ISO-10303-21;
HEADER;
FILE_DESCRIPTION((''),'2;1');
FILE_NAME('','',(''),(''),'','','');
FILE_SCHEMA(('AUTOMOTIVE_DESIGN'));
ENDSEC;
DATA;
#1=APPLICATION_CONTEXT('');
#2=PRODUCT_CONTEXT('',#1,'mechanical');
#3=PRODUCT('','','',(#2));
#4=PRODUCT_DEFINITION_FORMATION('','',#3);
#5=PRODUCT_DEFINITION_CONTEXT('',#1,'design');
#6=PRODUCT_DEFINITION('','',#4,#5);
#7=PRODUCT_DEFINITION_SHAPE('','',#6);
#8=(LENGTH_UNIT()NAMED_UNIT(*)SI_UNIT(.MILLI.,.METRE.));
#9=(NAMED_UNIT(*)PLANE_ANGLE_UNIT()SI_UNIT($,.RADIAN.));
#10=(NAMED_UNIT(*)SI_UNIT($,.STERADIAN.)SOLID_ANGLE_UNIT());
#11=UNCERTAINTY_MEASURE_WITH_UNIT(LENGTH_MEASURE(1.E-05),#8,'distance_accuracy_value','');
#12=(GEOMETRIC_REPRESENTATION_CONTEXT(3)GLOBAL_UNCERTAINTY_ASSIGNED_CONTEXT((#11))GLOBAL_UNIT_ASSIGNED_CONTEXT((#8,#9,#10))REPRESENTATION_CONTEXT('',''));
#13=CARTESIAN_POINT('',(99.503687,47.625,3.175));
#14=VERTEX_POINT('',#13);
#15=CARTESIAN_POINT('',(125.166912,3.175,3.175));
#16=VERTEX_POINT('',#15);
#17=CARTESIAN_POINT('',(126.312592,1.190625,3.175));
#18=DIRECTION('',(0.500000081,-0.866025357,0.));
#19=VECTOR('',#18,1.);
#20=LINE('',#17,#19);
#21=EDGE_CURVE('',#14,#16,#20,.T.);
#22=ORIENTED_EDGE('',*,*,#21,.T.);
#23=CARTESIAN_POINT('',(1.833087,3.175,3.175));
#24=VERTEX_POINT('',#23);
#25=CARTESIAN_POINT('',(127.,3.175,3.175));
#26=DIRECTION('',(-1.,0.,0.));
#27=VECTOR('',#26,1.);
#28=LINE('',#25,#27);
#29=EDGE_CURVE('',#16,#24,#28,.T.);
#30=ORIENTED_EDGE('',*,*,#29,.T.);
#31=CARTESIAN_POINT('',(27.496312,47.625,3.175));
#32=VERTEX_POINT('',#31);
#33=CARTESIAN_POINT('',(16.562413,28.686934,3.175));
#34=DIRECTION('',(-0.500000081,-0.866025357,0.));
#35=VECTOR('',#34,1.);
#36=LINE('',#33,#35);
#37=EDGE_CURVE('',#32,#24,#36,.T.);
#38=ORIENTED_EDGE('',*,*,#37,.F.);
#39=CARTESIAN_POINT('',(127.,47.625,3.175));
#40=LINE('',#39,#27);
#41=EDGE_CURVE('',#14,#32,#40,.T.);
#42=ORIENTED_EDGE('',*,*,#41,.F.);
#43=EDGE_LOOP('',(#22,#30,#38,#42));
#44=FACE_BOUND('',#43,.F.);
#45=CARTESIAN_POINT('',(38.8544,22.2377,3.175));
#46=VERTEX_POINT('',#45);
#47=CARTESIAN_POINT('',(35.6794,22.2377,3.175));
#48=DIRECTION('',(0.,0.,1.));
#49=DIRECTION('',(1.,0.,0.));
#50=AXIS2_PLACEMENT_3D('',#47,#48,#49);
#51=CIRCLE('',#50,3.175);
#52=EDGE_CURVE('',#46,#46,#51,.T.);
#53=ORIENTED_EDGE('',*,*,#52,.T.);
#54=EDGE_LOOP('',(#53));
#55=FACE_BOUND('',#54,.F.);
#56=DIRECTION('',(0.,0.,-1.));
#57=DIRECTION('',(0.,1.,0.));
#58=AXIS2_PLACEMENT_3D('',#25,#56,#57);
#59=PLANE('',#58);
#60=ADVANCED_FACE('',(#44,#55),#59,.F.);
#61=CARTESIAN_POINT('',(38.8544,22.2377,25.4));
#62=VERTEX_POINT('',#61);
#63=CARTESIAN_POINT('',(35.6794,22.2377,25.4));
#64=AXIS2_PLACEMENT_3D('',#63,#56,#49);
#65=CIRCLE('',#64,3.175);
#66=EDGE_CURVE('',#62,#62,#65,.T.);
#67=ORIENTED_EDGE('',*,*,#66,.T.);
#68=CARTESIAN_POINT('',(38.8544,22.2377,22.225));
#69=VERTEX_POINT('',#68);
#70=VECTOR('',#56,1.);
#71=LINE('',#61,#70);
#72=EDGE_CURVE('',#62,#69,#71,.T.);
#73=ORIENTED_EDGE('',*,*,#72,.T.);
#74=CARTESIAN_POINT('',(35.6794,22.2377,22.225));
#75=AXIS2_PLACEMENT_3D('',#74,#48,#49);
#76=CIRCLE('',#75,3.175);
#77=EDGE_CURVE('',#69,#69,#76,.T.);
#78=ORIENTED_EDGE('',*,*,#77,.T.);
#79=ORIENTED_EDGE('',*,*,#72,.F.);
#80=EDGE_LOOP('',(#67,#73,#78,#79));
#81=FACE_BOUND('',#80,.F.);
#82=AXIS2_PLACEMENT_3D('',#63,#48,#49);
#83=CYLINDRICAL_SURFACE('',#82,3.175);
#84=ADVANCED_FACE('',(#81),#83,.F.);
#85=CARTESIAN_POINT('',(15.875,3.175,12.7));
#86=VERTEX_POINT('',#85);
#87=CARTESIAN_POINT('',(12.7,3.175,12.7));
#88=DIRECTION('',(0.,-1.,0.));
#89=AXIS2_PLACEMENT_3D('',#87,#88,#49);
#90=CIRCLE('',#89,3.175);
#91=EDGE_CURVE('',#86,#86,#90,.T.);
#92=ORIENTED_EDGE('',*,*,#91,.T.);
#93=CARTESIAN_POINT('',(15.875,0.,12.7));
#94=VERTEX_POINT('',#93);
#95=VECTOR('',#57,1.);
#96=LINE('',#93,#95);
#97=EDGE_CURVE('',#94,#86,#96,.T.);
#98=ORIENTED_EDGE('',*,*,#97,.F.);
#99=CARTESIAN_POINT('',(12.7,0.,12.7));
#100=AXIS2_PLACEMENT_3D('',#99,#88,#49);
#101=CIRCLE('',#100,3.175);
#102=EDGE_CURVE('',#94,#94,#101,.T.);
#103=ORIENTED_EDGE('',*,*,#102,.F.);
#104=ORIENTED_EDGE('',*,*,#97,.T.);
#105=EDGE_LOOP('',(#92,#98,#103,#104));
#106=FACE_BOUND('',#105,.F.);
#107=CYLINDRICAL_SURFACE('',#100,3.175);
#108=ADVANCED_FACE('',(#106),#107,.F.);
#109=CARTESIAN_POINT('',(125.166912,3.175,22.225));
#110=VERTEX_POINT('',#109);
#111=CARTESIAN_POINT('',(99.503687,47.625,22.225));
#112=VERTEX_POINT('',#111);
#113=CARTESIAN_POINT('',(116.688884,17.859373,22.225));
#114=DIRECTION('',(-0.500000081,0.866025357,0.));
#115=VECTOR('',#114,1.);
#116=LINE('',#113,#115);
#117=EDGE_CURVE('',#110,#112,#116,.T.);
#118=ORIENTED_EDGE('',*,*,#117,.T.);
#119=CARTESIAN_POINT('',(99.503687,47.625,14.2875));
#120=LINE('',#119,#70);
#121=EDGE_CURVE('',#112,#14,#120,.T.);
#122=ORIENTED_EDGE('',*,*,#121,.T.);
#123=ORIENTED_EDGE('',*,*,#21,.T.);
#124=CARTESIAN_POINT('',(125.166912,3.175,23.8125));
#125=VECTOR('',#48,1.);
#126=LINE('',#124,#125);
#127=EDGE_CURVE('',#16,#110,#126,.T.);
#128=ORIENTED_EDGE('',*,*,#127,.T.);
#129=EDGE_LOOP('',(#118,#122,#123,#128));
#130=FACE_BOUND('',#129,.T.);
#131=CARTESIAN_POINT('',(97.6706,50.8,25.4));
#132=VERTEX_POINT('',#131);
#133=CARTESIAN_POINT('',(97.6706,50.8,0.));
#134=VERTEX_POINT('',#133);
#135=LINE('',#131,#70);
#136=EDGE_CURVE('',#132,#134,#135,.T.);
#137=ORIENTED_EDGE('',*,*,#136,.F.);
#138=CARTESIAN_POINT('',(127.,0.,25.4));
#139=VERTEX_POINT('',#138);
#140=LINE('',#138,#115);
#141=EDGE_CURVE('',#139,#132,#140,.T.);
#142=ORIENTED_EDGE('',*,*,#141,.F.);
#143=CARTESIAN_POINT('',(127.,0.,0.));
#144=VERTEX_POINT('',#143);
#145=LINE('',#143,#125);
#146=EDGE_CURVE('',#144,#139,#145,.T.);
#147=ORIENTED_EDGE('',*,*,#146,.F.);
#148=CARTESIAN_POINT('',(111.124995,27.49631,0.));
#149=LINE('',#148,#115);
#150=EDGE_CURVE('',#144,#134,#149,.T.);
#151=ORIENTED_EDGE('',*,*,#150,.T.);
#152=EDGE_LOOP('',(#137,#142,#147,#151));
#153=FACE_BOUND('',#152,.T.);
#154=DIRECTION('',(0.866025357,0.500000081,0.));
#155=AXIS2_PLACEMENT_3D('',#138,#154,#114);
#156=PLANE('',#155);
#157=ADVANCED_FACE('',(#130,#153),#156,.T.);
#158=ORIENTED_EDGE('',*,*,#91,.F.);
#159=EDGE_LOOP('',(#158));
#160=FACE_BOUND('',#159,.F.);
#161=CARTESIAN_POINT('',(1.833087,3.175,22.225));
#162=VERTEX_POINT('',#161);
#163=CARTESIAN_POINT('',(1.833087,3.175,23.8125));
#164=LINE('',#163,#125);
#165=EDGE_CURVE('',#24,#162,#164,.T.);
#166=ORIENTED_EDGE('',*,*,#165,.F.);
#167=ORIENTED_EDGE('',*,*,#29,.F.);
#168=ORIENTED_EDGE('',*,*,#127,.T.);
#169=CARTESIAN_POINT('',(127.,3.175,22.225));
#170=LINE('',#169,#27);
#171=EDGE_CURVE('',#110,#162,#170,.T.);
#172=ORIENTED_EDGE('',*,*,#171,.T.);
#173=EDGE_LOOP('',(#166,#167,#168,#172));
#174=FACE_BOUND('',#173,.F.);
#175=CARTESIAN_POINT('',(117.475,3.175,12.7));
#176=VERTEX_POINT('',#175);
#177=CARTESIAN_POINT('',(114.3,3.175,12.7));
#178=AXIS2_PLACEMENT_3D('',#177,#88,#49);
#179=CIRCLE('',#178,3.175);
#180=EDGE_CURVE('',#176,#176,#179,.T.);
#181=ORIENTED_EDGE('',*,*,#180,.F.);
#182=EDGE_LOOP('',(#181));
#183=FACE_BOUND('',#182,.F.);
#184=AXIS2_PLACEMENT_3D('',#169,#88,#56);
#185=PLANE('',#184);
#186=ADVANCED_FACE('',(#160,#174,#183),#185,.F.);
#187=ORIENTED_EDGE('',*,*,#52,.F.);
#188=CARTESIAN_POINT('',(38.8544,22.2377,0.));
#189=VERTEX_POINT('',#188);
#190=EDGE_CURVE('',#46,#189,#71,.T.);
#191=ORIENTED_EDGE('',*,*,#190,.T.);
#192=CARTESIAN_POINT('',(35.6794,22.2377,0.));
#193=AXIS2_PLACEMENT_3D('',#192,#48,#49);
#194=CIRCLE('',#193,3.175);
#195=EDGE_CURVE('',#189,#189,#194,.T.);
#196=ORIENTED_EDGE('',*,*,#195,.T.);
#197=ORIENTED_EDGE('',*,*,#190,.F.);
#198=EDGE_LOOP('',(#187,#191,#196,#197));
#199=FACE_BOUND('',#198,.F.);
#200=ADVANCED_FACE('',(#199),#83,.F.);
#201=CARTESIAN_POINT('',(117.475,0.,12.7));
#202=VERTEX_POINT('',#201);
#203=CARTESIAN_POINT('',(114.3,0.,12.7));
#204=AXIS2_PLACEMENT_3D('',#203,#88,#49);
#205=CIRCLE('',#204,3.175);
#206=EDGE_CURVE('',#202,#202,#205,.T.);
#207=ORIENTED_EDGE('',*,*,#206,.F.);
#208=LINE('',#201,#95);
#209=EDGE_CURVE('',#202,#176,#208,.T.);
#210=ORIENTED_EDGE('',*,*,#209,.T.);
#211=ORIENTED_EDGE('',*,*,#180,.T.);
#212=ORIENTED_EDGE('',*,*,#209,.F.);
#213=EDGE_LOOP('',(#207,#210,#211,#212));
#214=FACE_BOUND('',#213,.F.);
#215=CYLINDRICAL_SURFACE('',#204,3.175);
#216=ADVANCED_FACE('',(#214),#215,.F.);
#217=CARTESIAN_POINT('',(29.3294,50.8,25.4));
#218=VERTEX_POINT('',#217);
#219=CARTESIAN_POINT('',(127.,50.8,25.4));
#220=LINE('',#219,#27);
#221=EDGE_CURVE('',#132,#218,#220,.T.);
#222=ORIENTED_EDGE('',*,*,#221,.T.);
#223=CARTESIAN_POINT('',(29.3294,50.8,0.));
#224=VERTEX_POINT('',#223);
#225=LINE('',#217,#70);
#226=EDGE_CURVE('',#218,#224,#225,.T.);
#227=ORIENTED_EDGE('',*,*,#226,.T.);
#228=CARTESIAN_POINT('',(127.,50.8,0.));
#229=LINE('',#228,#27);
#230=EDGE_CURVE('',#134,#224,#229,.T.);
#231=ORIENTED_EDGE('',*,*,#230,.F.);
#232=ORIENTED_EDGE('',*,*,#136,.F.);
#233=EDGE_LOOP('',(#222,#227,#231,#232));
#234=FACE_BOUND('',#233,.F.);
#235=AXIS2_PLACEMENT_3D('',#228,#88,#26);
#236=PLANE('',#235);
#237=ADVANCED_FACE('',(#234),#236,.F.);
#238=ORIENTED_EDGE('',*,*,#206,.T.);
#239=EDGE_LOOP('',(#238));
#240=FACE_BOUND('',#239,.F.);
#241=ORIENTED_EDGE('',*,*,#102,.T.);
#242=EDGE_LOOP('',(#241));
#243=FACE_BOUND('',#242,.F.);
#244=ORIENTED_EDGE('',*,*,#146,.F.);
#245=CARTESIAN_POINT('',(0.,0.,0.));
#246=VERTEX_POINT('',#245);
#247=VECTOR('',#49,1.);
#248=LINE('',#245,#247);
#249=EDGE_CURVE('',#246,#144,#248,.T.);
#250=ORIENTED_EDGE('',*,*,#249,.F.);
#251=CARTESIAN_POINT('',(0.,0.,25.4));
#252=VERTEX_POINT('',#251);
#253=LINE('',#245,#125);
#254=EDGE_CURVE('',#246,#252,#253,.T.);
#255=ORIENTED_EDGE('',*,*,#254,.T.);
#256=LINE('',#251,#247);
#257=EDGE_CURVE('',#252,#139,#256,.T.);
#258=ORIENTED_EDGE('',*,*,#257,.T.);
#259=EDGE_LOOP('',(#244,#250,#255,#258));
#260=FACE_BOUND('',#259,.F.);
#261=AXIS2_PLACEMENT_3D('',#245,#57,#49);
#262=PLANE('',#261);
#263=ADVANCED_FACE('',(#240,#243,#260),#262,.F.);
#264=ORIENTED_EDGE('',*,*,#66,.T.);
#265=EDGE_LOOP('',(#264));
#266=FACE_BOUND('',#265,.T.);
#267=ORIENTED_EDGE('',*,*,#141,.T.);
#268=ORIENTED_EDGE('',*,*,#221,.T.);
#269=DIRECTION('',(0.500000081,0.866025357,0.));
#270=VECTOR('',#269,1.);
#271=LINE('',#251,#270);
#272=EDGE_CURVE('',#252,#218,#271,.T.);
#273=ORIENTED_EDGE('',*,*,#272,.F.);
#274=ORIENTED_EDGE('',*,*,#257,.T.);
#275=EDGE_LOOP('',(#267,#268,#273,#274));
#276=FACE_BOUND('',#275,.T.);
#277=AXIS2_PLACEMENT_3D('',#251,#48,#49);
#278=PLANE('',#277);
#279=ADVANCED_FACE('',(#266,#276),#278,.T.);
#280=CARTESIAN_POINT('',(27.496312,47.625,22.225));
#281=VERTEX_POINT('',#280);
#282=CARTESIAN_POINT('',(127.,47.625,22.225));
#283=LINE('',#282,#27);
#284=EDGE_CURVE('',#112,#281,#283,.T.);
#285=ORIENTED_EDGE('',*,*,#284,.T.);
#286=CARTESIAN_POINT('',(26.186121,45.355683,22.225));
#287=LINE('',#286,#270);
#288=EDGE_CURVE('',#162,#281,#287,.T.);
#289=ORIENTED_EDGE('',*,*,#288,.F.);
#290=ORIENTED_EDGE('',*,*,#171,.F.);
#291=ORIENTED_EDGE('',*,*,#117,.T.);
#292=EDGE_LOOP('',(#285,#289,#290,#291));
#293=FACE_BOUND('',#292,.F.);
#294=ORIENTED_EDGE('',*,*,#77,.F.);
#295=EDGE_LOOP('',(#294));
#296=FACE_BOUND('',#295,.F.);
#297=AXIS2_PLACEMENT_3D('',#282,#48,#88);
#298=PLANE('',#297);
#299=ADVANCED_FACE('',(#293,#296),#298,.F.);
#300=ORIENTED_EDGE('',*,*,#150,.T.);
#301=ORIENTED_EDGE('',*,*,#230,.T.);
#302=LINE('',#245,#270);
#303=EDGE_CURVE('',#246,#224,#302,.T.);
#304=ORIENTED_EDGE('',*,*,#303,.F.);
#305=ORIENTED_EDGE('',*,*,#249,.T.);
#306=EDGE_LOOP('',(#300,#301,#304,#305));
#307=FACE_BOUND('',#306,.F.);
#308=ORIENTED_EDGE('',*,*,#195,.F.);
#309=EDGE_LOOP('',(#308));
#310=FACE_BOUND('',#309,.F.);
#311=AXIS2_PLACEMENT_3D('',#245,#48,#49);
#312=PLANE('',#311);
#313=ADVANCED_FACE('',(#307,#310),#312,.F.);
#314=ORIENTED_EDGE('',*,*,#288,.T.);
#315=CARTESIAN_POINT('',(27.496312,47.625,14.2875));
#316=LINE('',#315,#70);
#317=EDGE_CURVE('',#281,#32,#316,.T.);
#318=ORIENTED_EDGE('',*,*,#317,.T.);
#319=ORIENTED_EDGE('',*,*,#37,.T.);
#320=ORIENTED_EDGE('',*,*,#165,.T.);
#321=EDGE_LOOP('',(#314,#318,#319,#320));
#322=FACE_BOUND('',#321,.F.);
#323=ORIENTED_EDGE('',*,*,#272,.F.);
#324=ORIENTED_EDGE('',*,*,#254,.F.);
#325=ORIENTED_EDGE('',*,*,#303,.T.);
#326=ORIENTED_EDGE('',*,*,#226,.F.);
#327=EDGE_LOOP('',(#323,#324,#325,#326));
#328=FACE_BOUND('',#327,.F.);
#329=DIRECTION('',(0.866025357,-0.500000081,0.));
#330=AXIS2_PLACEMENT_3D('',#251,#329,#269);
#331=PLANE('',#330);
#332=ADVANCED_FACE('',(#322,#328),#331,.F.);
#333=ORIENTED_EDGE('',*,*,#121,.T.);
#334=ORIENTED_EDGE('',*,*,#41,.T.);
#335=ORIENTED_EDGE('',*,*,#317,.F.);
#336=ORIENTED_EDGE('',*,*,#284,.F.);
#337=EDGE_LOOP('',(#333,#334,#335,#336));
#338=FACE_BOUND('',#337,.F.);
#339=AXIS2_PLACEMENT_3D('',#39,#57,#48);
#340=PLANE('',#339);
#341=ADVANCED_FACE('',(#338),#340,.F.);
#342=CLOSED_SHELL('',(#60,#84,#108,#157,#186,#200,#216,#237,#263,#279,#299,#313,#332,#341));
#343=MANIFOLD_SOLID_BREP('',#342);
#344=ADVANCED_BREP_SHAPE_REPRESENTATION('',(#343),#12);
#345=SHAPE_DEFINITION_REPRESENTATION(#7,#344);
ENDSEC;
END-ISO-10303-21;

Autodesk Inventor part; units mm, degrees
ref_plane "YZ Plane" through (0, 0, 0) normal (1, 0, 0) x (0, 1, 0)
ref_plane "XZ Plane" through (0, 0, 0) normal (0, 1, 0) x (-1, 0, 0)
ref_plane "XY Plane" through (0, 0, 0) normal (0, 0, 1) x (1, 0, 0)
sketch "Sketch1" plane through (0, 0, 0) normal (0, 0, 1) x (1, 0, 0)
  line L0 (0, 0) -> (127, 0)
  line L1 (127, 0) -> (127, 50.8)
  line L2 (127, 50.8) -> (0, 50.8)
  line L3 (0, 50.8) -> (0, 0)
  dimension "d0" = 127
  dimension "d1" = 50.8
extrude "Extrusion1" add sketch "Sketch1" along normal blind 25.4
sketch "Sketch2" plane through (127, 0, 0) normal (1, 0, 0) x (0, 0, -1)
  line L0 (-22.225, 3.175) -> (-3.175, 3.175)
  line L1 (-3.175, 3.175) -> (-3.175, 47.625)
  line L2 (-3.175, 47.625) -> (-22.225, 47.625)
  line L3 (-22.225, 47.625) -> (-22.225, 3.175)
  dimension "d4" = 19.05
  dimension "d5" = 44.45
extrude "Extrusion2" cut sketch "Sketch2" against normal blind 2514.6
sketch "Sketch3" plane through (0, 0, 25.4) normal (0, 0, 1) x (1, 0, 0)
  line L0 (127, 0) -> (127, 50.8) projected
  line L1 (127, 50.8) -> (0, 50.8) projected
  line L2 (0, 50.8) -> (0, 0) projected
  line L3 (0, 0) -> (29.3294, 50.8)
  line L4 (0, 0) -> (58.6588, 0) construction
  line L5 (127, 0) -> (97.6706, 50.8)
  line L6 (127, 0) -> (185.6588, 0) construction
  dimension "d8" = 60
  dimension "d9" = 120
extrude "Extrusion3" cut sketch "Sketch3" against normal blind 2514.6
sketch "Sketch4" plane through (0, 0, 0) normal (0, -1, 0) x (1, 0, 0)
  circle A0 centre (12.7, 12.7) radius 3.175
  circle A1 centre (114.3, 12.7) radius 3.175
  dimension "d12" = 6.35
  dimension "d13" = 6.35
extrude "Extrusion4" cut sketch "Sketch4" against normal blind 2514.6
sketch "Sketch5" plane through (0, 0, 25.4) normal (0, 0, 1) x (1, 0, 0)
  line L0 (0, 0) -> (127, 0) projected
  line L1 (29.3294, 50.8) -> (97.6706, 50.8)
  line L2 (97.6706, 50.8) -> (97.6706, 0)
  line L3 (97.6706, 0) -> (29.3294, 0)
  line L4 (29.3294, 0) -> (29.3294, 50.8)
  line L5 (29.3294, 0) -> (35.6794, 0)
  line L6 (35.6794, 0) -> (35.6794, 22.2377)
  line L7 (35.6794, 22.2377) -> (97.6706, 22.2377)
  line L8 (97.6706, 22.2377) -> (84.9706, 22.2377)
  circle A0 centre (35.6794, 22.2377) radius 3.175
  dimension "d16" = 6.35
  dimension "d17" = 22.2377
  dimension "d18" = 90
  dimension "d19" = 12.7
  dimension "d20" = 6.35
extrude "Extrusion5" cut sketch "Sketch5" against normal blind 2514.6 contours A0 L7 L6 | L6 L7 A0
properties part number "MotorSupport"
